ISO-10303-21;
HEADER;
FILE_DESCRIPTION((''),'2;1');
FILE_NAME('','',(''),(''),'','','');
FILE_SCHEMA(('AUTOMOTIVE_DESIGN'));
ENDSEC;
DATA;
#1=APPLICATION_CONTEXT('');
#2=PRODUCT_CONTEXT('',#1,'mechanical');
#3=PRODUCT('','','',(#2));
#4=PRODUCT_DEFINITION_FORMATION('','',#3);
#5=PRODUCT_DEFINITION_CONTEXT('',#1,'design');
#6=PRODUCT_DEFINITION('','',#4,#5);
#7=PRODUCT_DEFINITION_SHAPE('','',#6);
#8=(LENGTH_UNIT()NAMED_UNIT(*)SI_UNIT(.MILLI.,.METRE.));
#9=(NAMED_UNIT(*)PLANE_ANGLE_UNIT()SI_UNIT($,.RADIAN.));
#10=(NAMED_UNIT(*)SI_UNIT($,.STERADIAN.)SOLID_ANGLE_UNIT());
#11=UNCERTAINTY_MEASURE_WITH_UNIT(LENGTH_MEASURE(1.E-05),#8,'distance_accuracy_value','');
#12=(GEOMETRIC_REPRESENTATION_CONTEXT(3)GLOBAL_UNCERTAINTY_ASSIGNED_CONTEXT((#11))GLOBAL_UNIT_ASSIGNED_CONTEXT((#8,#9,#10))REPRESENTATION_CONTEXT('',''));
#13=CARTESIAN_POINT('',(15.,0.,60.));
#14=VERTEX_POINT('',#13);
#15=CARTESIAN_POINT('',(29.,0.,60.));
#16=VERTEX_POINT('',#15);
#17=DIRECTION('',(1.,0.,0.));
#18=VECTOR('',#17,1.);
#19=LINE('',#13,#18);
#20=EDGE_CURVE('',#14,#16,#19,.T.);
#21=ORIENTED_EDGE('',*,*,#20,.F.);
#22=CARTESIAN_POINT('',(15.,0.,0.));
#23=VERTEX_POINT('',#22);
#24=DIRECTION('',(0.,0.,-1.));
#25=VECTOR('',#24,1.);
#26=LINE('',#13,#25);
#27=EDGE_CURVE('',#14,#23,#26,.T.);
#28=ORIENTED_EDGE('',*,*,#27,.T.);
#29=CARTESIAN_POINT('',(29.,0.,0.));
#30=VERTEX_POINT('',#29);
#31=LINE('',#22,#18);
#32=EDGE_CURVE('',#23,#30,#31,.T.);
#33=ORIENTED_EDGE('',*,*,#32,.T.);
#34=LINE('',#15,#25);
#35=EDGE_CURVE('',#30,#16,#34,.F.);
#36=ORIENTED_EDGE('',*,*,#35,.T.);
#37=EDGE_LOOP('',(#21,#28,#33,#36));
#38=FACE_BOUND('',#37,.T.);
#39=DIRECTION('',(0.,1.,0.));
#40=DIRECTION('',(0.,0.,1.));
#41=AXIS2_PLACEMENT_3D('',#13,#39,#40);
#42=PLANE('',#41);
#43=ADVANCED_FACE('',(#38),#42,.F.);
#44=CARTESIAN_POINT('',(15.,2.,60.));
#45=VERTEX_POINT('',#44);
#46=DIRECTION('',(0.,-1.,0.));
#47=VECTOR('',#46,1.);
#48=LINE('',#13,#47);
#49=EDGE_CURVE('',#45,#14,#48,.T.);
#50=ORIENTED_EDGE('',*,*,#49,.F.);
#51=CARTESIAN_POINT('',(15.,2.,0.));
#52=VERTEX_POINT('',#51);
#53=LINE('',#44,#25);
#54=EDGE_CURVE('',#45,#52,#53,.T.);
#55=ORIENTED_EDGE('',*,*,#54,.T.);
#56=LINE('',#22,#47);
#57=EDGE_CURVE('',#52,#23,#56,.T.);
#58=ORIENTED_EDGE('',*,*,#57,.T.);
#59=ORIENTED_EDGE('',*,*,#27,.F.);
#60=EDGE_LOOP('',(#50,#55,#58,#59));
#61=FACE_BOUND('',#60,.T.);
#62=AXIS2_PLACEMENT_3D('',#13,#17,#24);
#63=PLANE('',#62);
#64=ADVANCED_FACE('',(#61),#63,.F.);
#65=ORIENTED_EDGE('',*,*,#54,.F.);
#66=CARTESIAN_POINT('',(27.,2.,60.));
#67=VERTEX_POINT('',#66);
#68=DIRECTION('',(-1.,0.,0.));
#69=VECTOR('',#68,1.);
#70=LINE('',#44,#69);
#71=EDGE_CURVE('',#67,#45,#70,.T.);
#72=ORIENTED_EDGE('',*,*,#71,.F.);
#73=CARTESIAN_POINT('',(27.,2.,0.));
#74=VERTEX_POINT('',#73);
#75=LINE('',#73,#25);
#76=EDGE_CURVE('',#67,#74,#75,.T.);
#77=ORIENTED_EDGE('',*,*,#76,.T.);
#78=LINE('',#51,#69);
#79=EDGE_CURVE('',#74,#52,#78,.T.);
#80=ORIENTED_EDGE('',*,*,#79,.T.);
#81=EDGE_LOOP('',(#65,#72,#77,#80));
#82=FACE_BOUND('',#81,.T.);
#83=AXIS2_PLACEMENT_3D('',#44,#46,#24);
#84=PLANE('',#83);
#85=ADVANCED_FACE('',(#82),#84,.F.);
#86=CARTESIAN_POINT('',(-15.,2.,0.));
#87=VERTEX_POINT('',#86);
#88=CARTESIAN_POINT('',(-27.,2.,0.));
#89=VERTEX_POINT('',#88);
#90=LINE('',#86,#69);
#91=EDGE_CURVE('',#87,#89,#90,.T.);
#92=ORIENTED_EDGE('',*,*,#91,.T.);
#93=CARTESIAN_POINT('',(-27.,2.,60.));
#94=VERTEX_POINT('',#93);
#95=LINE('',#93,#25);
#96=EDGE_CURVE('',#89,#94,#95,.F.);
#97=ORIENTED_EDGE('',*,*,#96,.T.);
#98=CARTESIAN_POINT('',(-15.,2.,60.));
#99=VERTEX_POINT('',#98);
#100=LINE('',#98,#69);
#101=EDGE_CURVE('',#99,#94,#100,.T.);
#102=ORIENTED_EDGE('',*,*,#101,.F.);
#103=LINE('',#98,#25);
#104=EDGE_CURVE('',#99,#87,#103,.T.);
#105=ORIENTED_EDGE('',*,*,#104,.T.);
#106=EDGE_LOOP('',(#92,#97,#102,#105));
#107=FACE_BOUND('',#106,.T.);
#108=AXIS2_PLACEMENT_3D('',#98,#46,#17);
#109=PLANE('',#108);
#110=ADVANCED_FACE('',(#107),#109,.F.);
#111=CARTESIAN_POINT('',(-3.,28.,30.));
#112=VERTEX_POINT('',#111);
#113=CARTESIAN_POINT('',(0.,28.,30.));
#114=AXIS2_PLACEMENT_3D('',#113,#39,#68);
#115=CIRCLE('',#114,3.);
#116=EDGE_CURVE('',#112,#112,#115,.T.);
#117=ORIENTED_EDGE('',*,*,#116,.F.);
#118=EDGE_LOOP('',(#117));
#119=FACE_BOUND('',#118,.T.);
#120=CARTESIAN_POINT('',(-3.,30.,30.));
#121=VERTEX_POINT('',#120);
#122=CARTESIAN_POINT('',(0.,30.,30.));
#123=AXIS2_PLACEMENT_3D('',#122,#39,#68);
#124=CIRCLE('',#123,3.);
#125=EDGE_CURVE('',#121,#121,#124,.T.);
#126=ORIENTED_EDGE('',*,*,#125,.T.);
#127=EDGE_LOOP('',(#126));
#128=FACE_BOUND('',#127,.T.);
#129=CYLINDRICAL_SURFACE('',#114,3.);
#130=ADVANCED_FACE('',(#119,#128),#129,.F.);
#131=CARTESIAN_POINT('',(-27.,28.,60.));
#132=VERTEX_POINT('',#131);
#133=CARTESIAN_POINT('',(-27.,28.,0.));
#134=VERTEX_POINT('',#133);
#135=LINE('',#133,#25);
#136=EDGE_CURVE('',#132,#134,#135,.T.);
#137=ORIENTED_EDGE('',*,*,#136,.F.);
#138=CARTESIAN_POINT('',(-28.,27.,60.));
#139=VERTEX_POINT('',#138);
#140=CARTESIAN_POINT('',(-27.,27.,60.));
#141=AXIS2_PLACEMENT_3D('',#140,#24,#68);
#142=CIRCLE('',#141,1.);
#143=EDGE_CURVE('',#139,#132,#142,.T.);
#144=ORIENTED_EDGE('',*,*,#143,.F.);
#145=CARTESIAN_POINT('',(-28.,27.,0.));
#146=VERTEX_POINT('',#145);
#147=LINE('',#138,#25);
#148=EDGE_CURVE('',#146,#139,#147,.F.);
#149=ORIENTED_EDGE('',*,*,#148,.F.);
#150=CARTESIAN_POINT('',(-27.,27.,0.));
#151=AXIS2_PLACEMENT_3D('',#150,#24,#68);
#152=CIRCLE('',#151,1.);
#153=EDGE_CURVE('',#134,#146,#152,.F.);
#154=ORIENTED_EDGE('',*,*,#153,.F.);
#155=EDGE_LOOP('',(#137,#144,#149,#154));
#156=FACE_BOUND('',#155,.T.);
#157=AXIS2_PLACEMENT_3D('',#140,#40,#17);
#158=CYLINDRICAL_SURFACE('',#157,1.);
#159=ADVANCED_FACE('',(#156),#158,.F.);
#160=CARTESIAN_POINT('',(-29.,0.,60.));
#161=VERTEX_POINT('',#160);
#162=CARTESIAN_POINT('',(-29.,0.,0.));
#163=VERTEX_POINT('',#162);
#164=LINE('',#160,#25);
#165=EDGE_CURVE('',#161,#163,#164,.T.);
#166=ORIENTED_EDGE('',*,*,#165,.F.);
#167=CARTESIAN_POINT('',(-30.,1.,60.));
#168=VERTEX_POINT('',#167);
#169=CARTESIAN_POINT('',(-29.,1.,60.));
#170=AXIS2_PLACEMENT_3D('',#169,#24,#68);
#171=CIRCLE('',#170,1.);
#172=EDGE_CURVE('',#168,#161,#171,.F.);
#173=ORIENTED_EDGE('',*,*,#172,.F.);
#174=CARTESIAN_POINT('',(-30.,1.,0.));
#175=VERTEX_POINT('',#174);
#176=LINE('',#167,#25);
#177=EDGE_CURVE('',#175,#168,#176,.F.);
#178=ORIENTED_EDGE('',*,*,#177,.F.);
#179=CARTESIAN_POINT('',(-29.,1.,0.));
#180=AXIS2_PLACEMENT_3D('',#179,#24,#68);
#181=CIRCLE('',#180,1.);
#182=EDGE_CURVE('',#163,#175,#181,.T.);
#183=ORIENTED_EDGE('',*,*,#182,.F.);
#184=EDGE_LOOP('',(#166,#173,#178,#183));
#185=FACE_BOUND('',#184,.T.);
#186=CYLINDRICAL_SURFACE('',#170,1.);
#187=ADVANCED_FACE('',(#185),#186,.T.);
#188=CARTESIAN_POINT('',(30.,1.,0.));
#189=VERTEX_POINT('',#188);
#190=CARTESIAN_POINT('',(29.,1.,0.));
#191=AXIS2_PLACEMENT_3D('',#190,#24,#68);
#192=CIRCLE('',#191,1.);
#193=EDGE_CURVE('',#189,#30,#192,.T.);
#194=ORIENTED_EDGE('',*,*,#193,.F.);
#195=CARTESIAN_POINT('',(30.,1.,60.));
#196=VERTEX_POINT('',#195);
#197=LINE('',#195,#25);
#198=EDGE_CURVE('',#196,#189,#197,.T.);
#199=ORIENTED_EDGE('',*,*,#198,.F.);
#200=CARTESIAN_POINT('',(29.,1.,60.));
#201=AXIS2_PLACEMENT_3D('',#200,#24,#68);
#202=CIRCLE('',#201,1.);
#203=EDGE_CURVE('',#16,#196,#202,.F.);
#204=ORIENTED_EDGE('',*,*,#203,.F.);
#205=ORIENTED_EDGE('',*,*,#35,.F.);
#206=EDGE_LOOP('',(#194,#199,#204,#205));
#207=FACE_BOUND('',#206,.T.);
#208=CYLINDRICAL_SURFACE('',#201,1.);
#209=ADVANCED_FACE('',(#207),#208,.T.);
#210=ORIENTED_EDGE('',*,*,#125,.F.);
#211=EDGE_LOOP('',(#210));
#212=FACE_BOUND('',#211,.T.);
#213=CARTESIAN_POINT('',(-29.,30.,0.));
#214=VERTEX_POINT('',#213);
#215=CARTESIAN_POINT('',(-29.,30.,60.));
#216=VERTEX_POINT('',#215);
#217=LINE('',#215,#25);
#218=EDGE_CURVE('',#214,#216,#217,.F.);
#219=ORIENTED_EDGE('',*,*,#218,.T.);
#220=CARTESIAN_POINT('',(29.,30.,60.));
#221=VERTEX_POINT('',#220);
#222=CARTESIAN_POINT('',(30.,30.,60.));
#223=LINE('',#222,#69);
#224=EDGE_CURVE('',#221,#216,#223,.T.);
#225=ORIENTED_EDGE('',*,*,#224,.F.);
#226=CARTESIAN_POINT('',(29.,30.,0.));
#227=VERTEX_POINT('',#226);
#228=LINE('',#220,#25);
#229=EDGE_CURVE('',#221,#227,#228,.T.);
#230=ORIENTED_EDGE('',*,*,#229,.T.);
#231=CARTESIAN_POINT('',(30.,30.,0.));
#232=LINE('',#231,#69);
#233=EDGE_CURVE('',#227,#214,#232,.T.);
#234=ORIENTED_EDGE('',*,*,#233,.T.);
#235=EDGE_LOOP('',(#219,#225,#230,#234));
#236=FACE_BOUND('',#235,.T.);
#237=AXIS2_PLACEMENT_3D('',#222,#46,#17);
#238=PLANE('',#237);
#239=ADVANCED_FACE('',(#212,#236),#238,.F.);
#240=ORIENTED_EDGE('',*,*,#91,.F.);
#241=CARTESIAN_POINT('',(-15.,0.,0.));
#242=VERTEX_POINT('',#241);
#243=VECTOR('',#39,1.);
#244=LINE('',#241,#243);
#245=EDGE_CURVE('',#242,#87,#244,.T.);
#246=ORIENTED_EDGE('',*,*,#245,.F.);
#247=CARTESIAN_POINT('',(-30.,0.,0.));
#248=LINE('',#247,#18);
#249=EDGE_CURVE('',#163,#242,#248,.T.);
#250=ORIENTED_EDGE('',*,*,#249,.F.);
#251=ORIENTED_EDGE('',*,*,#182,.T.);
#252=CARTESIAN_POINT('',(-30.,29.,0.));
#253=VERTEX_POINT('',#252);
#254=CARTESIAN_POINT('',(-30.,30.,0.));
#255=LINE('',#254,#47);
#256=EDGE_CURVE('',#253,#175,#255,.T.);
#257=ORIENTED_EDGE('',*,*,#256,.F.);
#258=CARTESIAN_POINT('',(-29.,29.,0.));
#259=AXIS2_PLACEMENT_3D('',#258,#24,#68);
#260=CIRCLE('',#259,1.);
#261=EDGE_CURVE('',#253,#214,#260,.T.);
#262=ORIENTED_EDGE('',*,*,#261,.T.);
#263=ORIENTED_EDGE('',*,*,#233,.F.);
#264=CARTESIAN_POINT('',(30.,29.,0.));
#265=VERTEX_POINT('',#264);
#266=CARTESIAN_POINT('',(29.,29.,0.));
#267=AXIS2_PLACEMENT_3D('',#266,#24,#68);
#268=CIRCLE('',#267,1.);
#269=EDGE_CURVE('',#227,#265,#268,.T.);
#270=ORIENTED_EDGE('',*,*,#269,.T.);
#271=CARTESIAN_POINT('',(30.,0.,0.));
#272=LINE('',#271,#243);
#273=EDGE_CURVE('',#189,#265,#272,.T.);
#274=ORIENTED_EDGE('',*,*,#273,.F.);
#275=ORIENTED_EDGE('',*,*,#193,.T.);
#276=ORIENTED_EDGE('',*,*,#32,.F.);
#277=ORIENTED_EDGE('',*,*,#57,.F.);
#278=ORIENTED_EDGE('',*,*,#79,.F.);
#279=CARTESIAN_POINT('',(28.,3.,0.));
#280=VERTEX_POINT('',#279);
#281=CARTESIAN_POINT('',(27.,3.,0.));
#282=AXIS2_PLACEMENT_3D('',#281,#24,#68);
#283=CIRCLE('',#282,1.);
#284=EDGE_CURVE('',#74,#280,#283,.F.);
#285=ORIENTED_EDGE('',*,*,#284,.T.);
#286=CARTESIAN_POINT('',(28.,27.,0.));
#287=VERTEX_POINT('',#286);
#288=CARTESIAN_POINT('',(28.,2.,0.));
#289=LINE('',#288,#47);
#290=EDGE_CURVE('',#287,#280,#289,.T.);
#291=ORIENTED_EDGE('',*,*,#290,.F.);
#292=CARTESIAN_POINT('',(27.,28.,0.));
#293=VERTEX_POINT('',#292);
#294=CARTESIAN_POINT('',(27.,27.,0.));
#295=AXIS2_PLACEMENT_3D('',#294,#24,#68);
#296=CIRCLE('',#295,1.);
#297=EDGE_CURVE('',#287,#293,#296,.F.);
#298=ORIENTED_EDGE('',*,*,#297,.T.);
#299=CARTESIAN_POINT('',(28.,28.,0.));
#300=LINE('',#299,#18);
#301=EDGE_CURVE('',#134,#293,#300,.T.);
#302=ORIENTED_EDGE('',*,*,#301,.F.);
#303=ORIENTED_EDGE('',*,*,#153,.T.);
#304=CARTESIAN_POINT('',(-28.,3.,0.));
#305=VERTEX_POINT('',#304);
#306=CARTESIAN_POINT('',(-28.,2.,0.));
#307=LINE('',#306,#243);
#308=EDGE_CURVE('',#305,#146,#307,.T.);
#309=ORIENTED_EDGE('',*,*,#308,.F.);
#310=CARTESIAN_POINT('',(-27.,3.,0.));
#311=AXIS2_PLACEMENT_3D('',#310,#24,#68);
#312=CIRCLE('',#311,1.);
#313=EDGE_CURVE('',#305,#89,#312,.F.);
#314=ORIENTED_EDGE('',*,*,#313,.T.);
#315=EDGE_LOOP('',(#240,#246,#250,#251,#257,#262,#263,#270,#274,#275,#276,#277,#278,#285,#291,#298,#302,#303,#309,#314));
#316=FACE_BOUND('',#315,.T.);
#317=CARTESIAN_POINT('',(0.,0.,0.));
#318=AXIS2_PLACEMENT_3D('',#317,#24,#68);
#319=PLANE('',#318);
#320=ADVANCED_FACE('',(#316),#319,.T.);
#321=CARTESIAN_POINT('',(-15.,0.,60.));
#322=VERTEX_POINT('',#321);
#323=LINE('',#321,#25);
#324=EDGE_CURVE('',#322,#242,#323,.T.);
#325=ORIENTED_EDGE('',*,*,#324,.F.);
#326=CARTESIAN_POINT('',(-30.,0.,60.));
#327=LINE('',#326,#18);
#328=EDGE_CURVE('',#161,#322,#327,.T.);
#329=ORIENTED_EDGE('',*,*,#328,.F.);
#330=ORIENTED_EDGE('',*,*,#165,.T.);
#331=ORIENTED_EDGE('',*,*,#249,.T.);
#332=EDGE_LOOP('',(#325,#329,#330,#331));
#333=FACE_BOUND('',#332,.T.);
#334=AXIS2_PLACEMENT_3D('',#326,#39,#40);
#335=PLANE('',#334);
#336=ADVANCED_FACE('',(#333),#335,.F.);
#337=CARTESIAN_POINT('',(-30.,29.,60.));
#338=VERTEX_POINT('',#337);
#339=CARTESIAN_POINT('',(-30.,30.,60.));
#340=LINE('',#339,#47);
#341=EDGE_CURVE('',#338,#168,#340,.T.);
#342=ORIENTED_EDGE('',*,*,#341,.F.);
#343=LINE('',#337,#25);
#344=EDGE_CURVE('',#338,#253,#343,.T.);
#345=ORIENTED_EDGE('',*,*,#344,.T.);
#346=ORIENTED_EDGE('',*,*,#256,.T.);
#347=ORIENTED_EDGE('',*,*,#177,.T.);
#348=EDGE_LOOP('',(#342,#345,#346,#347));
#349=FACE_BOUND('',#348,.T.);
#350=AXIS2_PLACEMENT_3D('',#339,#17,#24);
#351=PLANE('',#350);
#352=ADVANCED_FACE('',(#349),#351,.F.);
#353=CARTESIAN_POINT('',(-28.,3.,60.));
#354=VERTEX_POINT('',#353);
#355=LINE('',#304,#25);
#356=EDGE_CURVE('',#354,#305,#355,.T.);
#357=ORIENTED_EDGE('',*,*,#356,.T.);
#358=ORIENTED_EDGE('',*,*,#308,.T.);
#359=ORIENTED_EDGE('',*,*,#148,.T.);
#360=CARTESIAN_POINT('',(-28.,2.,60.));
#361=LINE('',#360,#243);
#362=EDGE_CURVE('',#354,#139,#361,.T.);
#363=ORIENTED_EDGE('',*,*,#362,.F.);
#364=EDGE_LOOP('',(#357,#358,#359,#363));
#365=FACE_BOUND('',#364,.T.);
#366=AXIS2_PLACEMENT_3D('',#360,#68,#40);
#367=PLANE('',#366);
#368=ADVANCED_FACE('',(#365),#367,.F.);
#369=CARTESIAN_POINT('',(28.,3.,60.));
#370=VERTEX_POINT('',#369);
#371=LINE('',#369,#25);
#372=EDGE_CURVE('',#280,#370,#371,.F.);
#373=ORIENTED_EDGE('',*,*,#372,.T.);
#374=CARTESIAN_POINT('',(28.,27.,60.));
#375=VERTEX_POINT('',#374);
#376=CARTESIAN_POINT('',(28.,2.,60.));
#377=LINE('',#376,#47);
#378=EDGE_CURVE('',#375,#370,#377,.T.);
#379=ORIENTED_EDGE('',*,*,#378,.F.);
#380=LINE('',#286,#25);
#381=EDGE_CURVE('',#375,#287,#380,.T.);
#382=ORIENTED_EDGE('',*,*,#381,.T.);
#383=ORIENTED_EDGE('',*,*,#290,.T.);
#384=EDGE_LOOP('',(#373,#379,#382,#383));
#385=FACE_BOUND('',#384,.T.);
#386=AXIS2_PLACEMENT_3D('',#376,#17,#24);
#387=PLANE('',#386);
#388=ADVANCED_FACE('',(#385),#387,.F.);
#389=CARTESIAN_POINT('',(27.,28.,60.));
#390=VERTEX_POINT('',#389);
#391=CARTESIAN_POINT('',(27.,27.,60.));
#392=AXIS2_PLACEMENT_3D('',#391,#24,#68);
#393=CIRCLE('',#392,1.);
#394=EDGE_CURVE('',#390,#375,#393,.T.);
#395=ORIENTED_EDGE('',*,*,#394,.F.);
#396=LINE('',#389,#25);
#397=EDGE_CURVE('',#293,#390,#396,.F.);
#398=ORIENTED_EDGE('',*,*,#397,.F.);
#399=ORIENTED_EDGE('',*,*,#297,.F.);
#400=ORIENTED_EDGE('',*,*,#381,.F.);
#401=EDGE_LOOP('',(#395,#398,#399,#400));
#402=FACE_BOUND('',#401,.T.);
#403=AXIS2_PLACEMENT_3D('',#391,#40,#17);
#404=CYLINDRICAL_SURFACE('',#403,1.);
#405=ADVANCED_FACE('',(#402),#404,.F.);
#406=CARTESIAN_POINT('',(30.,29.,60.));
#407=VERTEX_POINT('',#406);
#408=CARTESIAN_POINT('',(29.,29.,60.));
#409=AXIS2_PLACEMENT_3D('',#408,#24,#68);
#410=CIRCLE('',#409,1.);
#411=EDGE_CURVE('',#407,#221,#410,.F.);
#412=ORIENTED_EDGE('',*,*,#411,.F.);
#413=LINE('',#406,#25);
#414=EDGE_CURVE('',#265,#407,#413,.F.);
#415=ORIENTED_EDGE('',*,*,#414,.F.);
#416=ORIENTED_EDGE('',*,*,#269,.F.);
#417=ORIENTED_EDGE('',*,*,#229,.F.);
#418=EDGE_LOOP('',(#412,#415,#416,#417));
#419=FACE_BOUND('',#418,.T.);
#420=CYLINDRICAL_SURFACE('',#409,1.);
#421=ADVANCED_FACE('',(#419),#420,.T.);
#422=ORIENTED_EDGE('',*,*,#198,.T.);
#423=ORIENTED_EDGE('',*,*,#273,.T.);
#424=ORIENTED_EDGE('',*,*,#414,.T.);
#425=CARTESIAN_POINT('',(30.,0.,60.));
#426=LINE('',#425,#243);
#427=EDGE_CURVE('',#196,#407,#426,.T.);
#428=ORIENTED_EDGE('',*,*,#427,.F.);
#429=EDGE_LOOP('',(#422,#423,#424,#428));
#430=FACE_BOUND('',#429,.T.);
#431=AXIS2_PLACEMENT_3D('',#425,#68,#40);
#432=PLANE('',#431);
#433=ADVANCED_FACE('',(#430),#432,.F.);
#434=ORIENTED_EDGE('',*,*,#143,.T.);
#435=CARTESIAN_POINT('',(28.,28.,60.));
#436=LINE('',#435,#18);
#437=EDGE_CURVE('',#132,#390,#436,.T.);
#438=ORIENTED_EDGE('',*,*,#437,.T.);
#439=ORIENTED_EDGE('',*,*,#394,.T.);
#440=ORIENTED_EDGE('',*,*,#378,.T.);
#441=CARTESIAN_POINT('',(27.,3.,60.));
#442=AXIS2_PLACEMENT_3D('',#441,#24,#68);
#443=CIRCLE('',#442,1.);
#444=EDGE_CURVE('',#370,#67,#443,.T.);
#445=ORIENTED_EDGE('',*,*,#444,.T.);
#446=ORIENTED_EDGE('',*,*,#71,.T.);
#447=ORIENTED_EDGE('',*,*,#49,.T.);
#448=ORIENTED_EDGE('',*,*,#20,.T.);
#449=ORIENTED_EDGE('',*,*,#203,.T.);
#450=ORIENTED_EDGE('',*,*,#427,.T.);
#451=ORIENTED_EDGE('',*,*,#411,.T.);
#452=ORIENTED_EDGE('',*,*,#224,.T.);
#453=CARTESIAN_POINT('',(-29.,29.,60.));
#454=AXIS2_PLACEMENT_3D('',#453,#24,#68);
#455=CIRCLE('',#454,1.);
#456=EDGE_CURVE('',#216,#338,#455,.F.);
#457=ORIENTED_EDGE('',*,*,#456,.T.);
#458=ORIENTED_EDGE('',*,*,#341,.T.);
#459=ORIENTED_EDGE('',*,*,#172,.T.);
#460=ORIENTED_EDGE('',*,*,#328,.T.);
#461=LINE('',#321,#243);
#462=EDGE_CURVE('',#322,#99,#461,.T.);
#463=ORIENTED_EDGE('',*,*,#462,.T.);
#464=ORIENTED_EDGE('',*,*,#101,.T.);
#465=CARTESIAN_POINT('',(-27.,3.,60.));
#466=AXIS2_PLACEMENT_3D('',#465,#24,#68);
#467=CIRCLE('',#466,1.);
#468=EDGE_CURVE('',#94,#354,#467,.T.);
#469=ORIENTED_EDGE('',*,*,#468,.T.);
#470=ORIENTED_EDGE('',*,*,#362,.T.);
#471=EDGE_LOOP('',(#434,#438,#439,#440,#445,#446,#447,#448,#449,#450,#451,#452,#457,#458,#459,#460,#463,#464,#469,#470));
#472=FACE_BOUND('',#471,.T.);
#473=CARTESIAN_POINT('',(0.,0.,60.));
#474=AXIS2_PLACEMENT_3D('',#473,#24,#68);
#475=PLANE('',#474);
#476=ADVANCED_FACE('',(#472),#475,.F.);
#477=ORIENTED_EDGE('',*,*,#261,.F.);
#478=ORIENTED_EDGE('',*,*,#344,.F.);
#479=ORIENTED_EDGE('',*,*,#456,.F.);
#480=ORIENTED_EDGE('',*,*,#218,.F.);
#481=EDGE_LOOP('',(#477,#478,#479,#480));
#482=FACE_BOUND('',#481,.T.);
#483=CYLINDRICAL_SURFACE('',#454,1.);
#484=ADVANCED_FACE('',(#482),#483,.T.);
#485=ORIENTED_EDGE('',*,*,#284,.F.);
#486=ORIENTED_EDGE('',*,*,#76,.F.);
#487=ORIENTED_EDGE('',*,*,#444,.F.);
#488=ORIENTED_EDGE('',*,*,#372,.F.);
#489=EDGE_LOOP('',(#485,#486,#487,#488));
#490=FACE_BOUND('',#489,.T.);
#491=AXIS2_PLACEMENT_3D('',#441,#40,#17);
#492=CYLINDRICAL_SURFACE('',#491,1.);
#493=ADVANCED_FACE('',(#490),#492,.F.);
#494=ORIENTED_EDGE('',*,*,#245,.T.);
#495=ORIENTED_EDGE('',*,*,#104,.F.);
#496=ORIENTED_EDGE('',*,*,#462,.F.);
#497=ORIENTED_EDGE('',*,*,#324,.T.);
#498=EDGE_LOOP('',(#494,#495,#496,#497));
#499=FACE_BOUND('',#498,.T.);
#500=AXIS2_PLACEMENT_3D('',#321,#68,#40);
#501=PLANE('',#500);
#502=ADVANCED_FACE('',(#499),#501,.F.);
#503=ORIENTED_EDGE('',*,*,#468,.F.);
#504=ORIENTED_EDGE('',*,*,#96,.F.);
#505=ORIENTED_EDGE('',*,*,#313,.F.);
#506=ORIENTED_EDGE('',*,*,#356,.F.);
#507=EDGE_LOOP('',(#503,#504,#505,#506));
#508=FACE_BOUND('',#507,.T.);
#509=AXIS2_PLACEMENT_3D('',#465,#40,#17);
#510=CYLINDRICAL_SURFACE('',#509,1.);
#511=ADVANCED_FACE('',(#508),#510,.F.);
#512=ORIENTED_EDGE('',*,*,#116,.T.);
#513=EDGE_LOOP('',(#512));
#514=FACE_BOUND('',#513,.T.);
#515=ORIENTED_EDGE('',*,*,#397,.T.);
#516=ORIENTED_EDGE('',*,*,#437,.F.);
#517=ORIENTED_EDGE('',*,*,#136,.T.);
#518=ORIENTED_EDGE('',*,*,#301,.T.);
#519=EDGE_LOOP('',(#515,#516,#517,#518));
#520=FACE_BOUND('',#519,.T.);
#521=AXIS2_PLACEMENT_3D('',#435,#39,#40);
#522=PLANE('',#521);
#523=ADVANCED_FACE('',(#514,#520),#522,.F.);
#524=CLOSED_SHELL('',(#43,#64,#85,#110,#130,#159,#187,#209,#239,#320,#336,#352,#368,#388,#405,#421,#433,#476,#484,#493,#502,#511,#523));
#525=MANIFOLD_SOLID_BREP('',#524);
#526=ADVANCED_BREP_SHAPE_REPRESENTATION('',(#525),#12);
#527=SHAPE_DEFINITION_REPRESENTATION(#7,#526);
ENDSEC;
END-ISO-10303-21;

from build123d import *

# Parameters (mm, degrees)
BOSS_EXTRUDE1_DEPTH = 60
FILLET1_R           = 1
SKETCH2_R           = 3
CUT_EXTRUDE1_DEPTH  = 2


with BuildPart() as part:
    # Sketch1 → Boss-Extrude1 (new body)
    with BuildSketch(Plane.XY):
        Polygon((-15, 0), (-15, 2), (-28, 2), (-28, 28), (28, 28), (28, 2), (15, 2), (15, 0), (30, 0), (30, 30), (-30, 30), (-30, 0), align=None)
    extrude(amount=BOSS_EXTRUDE1_DEPTH)

    # Fillet1
    fillet1_edges = [part.edges().sort_by_distance(p)[0] for p in [
        (28, 2, 30),
        (28, 28, 30),
        (-28, 28, 30),
        (-28, 2, 30),
        (-30, 0, 30),
        (-30, 30, 30),
        (30, 30, 30),
        (30, 0, 30),
    ]]
    fillet(fillet1_edges, radius=FILLET1_R)

    # Sketch2 → Cut-Extrude1 (cut)
    with BuildSketch(Plane(origin=(0, 30, 0), x_dir=(1, 0, 0), z_dir=(0, 1, 0))):
        with Locations(Location((0, -30, 0), (0, 0, 180))):
            Circle(SKETCH2_R)
    extrude(amount=-CUT_EXTRUDE1_DEPTH, mode=Mode.SUBTRACT)


solid = part.part
